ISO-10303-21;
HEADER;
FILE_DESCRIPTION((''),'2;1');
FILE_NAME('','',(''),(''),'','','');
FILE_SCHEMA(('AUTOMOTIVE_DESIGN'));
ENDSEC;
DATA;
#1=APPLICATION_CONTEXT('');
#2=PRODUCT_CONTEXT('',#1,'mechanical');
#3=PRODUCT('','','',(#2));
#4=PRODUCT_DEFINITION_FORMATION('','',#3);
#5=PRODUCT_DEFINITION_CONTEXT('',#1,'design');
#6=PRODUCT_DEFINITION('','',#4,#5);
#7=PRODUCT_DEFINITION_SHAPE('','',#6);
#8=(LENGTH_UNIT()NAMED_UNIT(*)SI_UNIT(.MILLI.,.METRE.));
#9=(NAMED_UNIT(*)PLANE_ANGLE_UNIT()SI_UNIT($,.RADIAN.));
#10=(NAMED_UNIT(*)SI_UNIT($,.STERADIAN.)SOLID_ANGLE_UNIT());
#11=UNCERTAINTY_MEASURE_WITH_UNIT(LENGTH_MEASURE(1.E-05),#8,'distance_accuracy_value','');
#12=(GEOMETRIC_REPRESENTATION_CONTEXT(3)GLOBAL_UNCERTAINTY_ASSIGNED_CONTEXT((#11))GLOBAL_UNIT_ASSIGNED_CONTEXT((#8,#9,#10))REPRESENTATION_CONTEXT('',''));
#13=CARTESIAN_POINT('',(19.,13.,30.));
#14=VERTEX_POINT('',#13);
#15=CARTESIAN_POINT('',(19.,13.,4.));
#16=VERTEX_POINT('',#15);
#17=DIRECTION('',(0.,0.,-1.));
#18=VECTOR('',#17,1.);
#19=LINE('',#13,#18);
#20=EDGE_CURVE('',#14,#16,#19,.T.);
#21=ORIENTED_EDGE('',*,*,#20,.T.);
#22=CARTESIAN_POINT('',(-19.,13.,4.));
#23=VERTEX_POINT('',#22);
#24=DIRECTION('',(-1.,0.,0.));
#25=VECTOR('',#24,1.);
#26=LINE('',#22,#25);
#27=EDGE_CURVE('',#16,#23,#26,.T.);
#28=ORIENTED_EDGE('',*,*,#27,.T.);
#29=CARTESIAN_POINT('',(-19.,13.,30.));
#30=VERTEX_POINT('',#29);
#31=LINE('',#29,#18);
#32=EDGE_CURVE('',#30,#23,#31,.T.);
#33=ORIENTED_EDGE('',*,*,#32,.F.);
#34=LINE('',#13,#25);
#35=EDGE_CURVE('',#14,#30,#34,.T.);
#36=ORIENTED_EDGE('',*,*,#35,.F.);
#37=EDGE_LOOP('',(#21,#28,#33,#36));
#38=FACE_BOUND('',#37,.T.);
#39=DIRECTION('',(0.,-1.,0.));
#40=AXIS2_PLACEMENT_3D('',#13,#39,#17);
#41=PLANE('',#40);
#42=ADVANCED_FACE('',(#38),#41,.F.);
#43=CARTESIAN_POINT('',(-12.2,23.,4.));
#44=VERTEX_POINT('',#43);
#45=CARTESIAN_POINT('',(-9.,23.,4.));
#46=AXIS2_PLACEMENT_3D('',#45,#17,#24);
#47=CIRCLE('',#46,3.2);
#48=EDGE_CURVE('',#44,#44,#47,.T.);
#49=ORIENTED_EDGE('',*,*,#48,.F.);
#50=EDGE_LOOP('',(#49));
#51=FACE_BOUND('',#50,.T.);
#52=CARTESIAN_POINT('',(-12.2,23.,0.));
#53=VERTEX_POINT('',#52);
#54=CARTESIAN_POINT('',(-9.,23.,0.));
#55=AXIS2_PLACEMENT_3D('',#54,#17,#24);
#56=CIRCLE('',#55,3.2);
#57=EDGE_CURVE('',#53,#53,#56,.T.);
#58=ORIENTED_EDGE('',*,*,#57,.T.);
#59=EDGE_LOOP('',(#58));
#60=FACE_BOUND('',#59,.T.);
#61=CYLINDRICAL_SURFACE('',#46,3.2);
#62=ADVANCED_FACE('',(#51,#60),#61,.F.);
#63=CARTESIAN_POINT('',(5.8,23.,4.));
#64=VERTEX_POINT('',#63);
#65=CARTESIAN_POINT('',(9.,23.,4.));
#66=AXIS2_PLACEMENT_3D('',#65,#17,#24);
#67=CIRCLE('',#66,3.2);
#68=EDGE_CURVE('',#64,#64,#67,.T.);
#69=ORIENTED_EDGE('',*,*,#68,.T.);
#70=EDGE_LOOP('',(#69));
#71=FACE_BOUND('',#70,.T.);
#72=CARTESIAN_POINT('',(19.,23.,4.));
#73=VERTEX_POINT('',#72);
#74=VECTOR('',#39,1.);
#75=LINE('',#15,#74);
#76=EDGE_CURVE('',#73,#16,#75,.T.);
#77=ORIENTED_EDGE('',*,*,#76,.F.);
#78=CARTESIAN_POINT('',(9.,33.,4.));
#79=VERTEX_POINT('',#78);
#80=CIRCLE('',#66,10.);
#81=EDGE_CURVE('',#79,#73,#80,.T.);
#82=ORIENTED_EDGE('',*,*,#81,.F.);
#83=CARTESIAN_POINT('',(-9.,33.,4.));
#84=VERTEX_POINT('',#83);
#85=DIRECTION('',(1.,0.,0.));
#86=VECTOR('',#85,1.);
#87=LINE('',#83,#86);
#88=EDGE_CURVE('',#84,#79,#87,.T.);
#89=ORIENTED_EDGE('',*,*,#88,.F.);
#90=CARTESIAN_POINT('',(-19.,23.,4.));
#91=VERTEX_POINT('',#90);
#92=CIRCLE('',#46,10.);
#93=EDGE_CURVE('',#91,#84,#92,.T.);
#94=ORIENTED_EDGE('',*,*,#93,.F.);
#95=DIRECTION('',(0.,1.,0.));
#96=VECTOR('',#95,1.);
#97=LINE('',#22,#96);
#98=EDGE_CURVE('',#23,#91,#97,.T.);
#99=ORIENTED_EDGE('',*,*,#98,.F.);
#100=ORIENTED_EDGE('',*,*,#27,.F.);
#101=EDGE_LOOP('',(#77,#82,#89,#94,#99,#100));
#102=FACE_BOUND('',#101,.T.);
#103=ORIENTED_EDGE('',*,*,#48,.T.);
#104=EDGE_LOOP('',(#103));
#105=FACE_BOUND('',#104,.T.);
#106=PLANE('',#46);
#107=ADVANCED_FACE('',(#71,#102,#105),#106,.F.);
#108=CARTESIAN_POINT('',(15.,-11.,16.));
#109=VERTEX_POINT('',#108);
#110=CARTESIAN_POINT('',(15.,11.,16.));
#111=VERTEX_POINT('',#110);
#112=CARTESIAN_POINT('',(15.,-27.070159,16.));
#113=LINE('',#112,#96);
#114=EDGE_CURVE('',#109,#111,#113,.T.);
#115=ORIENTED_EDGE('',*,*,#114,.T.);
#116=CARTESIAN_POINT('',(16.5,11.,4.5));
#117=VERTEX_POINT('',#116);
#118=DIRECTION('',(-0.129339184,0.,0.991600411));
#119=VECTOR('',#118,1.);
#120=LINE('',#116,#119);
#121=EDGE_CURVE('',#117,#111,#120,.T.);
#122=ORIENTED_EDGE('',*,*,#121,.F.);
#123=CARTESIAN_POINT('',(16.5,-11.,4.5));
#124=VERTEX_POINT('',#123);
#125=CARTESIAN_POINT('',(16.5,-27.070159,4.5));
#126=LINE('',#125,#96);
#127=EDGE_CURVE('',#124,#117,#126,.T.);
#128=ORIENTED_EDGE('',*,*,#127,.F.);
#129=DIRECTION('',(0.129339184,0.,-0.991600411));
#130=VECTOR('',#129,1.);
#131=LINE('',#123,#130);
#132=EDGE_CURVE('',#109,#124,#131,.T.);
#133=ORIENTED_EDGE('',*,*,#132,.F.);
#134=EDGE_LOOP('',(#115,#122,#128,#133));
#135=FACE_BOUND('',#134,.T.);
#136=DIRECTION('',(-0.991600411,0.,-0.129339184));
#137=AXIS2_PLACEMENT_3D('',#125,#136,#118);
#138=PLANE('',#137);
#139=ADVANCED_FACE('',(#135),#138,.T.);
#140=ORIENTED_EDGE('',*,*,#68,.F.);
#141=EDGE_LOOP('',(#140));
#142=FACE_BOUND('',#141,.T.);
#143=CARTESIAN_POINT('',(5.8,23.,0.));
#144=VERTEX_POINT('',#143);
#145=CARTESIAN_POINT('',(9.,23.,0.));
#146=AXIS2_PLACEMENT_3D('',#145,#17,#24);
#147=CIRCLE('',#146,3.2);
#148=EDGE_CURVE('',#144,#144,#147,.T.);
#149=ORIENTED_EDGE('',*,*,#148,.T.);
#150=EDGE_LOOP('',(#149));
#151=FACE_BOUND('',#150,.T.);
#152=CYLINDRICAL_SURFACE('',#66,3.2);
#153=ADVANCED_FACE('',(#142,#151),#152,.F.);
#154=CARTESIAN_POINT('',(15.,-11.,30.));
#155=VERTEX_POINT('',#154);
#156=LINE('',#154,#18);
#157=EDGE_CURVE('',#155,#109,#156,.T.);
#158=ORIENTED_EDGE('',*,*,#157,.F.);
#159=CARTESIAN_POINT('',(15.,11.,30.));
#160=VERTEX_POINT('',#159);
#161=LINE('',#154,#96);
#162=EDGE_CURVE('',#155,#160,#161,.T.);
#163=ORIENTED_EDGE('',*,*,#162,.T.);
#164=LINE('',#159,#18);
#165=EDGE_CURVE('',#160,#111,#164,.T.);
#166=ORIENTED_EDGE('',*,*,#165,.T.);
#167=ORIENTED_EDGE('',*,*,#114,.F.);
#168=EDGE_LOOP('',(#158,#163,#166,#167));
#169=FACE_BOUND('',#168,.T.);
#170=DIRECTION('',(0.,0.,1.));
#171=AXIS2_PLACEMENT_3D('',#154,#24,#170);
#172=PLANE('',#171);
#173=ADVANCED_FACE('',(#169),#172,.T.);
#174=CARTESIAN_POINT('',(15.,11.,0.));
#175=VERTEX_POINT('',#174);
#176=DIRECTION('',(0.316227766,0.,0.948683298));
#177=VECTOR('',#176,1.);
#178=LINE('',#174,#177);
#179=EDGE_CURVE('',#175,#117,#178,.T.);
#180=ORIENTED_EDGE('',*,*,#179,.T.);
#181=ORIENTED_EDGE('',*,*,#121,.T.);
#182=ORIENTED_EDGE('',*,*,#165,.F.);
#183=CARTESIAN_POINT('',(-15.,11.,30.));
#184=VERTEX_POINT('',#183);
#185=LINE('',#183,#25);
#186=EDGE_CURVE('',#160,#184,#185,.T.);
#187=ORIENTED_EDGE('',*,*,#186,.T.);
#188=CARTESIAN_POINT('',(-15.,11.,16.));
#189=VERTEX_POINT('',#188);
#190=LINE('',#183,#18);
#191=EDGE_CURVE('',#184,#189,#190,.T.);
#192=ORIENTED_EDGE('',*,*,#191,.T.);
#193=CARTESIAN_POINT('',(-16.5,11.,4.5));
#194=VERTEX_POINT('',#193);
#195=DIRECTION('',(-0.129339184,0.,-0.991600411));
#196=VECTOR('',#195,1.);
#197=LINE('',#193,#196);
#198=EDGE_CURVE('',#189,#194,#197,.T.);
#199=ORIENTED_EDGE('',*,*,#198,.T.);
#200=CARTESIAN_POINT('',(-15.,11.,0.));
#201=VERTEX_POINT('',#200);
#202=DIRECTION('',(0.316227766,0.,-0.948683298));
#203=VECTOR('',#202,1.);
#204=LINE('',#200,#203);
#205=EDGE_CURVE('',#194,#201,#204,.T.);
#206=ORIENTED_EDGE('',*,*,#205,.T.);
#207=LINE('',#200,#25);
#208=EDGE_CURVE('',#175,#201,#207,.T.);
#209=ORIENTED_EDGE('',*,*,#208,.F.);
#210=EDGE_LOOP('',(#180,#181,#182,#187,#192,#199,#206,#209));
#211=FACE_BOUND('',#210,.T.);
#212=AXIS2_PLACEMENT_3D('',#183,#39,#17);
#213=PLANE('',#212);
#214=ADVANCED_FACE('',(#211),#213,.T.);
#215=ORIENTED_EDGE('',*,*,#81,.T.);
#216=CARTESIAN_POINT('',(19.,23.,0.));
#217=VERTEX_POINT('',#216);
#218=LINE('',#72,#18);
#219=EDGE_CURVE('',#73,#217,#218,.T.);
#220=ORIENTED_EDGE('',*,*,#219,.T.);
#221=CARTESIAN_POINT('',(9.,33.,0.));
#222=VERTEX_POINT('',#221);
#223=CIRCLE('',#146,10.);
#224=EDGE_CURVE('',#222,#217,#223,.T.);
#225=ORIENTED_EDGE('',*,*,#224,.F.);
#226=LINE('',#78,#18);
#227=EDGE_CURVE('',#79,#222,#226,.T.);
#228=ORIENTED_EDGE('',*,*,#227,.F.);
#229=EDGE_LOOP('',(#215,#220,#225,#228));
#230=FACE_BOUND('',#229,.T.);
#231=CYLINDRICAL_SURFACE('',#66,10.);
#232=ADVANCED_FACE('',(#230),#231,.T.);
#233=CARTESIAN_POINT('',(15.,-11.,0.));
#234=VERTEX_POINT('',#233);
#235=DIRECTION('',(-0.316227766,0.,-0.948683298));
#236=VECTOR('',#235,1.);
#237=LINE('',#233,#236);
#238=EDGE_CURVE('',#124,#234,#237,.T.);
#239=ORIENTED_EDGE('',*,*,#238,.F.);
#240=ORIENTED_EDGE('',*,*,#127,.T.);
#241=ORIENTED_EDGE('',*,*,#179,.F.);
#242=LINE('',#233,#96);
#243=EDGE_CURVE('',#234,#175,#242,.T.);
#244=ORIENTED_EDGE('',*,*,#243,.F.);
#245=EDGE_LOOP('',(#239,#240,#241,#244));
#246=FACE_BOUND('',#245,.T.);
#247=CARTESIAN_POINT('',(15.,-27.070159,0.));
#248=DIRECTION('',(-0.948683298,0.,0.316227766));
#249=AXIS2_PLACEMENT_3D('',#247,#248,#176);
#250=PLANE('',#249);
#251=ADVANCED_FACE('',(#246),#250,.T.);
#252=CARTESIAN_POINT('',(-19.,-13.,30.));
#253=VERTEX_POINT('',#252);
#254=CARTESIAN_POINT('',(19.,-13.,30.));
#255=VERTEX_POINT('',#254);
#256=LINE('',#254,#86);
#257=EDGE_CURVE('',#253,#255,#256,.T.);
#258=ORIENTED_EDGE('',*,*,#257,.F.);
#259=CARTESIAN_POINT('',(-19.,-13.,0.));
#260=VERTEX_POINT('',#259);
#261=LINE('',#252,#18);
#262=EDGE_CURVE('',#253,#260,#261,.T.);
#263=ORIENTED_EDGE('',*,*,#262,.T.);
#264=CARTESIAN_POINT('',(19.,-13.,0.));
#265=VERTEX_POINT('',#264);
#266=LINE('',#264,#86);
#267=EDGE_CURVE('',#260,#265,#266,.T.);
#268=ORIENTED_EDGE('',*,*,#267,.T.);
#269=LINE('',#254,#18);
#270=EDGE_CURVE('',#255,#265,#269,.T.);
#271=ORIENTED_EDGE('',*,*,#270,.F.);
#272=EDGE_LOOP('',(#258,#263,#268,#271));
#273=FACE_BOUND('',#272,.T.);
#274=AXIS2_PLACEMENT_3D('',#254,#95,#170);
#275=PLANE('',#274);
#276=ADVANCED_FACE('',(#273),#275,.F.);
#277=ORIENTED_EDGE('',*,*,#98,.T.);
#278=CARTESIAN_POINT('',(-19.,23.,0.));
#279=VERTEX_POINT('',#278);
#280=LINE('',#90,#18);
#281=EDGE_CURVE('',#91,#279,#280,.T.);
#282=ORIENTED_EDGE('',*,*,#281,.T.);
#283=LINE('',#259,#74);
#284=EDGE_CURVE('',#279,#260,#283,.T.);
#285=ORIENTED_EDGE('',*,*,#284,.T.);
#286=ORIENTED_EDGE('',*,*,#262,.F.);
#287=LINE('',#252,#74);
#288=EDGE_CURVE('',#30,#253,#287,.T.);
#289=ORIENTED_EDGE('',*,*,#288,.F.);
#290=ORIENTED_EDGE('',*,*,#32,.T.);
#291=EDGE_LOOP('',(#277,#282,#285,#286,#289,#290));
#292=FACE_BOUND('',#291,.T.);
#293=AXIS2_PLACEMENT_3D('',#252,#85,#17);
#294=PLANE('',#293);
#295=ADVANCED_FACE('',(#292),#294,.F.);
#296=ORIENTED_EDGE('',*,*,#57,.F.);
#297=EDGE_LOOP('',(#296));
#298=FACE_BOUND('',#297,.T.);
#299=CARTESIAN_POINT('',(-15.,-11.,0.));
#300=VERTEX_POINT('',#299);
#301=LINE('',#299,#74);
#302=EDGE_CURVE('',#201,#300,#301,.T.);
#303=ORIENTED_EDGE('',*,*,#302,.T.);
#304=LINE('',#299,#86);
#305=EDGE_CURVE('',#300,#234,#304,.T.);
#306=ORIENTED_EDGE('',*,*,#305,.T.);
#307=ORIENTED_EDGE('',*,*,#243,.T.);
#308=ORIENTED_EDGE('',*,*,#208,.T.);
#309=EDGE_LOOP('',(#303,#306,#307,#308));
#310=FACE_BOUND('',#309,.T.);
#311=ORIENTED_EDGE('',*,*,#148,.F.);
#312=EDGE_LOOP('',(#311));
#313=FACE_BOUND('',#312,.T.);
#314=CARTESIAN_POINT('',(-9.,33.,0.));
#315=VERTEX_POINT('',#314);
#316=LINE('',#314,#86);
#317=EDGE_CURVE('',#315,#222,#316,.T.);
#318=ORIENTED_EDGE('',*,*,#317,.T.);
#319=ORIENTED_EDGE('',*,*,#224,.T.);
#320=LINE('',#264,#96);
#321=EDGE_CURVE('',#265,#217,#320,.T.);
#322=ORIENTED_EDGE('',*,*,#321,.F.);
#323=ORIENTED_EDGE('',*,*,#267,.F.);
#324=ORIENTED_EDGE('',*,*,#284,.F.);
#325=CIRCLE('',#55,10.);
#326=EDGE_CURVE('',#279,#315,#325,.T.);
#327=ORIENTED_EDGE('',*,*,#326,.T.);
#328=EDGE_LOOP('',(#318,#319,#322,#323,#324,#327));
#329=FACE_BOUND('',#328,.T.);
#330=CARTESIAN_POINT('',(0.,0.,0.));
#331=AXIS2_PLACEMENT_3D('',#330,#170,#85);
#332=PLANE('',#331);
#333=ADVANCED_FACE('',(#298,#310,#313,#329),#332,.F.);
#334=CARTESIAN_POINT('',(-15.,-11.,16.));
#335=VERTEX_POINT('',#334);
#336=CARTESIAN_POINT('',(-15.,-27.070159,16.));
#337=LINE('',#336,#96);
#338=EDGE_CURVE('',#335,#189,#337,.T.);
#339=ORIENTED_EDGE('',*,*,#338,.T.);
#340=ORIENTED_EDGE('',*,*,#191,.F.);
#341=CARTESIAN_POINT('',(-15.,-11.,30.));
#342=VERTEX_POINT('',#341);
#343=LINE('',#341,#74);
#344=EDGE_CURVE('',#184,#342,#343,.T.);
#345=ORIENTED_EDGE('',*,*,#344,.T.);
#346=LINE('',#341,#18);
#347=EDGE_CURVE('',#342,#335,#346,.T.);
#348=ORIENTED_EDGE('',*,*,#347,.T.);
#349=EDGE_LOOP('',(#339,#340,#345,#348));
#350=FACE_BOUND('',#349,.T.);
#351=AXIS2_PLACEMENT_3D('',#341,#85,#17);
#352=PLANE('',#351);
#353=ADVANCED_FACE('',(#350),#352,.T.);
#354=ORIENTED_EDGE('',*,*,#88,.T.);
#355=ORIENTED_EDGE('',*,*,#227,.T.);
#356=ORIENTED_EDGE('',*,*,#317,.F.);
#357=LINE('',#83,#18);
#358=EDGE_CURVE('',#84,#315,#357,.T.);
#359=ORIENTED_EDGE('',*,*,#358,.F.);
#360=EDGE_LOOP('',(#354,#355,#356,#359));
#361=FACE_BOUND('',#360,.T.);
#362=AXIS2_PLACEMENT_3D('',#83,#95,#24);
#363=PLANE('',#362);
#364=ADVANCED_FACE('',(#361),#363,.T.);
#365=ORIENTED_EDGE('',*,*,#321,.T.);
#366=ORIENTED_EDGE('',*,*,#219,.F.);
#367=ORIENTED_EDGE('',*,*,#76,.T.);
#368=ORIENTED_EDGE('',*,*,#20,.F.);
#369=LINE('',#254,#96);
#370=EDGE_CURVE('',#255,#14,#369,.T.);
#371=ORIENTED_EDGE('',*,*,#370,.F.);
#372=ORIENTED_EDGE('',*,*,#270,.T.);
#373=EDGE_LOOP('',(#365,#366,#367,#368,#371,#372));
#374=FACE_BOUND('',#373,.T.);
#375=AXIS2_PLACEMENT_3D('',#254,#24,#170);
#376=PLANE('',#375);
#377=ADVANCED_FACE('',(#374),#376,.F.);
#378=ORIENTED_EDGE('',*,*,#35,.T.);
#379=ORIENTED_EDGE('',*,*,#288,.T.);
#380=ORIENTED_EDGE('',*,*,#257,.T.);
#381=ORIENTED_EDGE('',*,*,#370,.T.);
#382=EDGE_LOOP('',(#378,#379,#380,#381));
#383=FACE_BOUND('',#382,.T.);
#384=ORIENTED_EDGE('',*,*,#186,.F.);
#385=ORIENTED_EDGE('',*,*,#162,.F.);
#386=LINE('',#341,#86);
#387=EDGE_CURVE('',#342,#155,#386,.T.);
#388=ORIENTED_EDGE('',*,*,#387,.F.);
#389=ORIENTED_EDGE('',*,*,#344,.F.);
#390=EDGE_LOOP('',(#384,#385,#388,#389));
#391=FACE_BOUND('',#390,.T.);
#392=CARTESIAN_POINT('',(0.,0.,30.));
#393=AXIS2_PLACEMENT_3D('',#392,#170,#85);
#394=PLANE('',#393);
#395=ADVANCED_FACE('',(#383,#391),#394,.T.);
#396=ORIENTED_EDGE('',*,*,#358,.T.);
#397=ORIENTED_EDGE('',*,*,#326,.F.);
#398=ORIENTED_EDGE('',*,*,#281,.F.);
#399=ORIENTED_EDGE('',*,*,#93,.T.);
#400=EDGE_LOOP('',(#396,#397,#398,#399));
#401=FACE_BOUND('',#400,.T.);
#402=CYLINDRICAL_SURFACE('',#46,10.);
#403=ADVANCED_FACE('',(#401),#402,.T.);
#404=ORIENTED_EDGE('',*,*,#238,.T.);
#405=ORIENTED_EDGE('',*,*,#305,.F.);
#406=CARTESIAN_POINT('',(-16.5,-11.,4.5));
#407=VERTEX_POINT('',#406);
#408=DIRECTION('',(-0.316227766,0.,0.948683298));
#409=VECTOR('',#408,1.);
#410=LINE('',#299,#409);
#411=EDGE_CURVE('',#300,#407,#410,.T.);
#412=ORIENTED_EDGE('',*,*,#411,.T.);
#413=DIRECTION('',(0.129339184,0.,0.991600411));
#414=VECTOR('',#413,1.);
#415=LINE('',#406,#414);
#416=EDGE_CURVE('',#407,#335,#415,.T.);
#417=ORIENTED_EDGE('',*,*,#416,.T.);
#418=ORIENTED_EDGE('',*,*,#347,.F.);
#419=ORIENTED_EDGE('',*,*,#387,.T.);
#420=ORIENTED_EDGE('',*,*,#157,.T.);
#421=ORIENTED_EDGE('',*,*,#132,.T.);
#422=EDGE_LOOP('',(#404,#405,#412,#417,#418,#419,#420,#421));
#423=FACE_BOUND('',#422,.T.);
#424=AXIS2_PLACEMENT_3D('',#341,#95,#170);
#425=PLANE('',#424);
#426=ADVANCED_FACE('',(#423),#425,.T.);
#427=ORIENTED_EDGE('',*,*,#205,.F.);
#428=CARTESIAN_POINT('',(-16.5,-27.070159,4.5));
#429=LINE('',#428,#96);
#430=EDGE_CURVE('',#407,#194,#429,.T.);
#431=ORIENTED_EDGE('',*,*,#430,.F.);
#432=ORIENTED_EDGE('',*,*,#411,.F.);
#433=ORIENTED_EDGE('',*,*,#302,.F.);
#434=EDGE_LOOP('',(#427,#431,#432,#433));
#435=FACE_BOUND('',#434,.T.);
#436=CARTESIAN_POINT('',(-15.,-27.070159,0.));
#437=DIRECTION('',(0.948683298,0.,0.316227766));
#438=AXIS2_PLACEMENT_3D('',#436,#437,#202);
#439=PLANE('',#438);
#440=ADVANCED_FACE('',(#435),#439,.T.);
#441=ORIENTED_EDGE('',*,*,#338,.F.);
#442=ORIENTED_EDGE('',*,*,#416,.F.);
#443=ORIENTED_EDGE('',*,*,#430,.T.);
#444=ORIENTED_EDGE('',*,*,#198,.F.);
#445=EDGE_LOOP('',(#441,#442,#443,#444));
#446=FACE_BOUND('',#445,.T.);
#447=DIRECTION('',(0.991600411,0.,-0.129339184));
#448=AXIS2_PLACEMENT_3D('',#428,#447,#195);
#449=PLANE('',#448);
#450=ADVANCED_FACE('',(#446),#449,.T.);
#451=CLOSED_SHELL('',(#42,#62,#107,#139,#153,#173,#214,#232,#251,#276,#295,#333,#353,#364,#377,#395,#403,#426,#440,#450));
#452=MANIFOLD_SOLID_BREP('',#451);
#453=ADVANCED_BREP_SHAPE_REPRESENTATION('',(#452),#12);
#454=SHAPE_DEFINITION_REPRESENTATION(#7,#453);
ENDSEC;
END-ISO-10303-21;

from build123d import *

# Parameters (mm, degrees)
SKETCH1_W           = 38
SKETCH1_H           = 26
SKETCH1_W_2         = 30
SKETCH1_H_2         = 22
BOSS_EXTRUDE1_DEPTH = 30
CUT_EXTRUDE1_DEPTH  = 22
SKETCH3_R           = 3.2
BOSS_EXTRUDE2_DEPTH = 4


with BuildPart() as part:
    # Sketch1 → Boss-Extrude1 (new body)
    with BuildSketch(Plane.XY):
        Rectangle(SKETCH1_W, SKETCH1_H)
        Rectangle(SKETCH1_W_2, SKETCH1_H_2, mode=Mode.SUBTRACT)
    extrude(amount=BOSS_EXTRUDE1_DEPTH)

    # Sketch2 → Cut-Extrude1 (cut)
    with BuildSketch(Plane.XZ.offset(-11)):
        Polygon((15, 0), (16.5, 4.5), (15, 16), align=None)
        Polygon((-15, 16), (-15, 0), (-16.5, 4.5), align=None)
    extrude(amount=CUT_EXTRUDE1_DEPTH, mode=Mode.SUBTRACT)

    # Sketch3 → Boss-Extrude2 (add)
    with BuildSketch(Plane(origin=(0, 0, 0), x_dir=(-1, 0, 0), z_dir=(0, 0, -1))):
        with BuildLine():
            Line((19, 13), (-19, 13))
            Line((-19, 13), (-19, 23))
            ThreePointArc((-19, 23), (-16.071067812, 30.071067812), (-9, 33))
            Line((-9, 33), (9, 33))
            ThreePointArc((9, 33), (16.071067812, 30.071067812), (19, 23))
            Line((19, 23), (19, 13))
        make_face()
        with Locations((-9, 23)):
            Circle(SKETCH3_R, mode=Mode.SUBTRACT)
        with Locations((9, 23)):
            Circle(SKETCH3_R, mode=Mode.SUBTRACT)
    extrude(amount=-BOSS_EXTRUDE2_DEPTH)


solid = part.part
